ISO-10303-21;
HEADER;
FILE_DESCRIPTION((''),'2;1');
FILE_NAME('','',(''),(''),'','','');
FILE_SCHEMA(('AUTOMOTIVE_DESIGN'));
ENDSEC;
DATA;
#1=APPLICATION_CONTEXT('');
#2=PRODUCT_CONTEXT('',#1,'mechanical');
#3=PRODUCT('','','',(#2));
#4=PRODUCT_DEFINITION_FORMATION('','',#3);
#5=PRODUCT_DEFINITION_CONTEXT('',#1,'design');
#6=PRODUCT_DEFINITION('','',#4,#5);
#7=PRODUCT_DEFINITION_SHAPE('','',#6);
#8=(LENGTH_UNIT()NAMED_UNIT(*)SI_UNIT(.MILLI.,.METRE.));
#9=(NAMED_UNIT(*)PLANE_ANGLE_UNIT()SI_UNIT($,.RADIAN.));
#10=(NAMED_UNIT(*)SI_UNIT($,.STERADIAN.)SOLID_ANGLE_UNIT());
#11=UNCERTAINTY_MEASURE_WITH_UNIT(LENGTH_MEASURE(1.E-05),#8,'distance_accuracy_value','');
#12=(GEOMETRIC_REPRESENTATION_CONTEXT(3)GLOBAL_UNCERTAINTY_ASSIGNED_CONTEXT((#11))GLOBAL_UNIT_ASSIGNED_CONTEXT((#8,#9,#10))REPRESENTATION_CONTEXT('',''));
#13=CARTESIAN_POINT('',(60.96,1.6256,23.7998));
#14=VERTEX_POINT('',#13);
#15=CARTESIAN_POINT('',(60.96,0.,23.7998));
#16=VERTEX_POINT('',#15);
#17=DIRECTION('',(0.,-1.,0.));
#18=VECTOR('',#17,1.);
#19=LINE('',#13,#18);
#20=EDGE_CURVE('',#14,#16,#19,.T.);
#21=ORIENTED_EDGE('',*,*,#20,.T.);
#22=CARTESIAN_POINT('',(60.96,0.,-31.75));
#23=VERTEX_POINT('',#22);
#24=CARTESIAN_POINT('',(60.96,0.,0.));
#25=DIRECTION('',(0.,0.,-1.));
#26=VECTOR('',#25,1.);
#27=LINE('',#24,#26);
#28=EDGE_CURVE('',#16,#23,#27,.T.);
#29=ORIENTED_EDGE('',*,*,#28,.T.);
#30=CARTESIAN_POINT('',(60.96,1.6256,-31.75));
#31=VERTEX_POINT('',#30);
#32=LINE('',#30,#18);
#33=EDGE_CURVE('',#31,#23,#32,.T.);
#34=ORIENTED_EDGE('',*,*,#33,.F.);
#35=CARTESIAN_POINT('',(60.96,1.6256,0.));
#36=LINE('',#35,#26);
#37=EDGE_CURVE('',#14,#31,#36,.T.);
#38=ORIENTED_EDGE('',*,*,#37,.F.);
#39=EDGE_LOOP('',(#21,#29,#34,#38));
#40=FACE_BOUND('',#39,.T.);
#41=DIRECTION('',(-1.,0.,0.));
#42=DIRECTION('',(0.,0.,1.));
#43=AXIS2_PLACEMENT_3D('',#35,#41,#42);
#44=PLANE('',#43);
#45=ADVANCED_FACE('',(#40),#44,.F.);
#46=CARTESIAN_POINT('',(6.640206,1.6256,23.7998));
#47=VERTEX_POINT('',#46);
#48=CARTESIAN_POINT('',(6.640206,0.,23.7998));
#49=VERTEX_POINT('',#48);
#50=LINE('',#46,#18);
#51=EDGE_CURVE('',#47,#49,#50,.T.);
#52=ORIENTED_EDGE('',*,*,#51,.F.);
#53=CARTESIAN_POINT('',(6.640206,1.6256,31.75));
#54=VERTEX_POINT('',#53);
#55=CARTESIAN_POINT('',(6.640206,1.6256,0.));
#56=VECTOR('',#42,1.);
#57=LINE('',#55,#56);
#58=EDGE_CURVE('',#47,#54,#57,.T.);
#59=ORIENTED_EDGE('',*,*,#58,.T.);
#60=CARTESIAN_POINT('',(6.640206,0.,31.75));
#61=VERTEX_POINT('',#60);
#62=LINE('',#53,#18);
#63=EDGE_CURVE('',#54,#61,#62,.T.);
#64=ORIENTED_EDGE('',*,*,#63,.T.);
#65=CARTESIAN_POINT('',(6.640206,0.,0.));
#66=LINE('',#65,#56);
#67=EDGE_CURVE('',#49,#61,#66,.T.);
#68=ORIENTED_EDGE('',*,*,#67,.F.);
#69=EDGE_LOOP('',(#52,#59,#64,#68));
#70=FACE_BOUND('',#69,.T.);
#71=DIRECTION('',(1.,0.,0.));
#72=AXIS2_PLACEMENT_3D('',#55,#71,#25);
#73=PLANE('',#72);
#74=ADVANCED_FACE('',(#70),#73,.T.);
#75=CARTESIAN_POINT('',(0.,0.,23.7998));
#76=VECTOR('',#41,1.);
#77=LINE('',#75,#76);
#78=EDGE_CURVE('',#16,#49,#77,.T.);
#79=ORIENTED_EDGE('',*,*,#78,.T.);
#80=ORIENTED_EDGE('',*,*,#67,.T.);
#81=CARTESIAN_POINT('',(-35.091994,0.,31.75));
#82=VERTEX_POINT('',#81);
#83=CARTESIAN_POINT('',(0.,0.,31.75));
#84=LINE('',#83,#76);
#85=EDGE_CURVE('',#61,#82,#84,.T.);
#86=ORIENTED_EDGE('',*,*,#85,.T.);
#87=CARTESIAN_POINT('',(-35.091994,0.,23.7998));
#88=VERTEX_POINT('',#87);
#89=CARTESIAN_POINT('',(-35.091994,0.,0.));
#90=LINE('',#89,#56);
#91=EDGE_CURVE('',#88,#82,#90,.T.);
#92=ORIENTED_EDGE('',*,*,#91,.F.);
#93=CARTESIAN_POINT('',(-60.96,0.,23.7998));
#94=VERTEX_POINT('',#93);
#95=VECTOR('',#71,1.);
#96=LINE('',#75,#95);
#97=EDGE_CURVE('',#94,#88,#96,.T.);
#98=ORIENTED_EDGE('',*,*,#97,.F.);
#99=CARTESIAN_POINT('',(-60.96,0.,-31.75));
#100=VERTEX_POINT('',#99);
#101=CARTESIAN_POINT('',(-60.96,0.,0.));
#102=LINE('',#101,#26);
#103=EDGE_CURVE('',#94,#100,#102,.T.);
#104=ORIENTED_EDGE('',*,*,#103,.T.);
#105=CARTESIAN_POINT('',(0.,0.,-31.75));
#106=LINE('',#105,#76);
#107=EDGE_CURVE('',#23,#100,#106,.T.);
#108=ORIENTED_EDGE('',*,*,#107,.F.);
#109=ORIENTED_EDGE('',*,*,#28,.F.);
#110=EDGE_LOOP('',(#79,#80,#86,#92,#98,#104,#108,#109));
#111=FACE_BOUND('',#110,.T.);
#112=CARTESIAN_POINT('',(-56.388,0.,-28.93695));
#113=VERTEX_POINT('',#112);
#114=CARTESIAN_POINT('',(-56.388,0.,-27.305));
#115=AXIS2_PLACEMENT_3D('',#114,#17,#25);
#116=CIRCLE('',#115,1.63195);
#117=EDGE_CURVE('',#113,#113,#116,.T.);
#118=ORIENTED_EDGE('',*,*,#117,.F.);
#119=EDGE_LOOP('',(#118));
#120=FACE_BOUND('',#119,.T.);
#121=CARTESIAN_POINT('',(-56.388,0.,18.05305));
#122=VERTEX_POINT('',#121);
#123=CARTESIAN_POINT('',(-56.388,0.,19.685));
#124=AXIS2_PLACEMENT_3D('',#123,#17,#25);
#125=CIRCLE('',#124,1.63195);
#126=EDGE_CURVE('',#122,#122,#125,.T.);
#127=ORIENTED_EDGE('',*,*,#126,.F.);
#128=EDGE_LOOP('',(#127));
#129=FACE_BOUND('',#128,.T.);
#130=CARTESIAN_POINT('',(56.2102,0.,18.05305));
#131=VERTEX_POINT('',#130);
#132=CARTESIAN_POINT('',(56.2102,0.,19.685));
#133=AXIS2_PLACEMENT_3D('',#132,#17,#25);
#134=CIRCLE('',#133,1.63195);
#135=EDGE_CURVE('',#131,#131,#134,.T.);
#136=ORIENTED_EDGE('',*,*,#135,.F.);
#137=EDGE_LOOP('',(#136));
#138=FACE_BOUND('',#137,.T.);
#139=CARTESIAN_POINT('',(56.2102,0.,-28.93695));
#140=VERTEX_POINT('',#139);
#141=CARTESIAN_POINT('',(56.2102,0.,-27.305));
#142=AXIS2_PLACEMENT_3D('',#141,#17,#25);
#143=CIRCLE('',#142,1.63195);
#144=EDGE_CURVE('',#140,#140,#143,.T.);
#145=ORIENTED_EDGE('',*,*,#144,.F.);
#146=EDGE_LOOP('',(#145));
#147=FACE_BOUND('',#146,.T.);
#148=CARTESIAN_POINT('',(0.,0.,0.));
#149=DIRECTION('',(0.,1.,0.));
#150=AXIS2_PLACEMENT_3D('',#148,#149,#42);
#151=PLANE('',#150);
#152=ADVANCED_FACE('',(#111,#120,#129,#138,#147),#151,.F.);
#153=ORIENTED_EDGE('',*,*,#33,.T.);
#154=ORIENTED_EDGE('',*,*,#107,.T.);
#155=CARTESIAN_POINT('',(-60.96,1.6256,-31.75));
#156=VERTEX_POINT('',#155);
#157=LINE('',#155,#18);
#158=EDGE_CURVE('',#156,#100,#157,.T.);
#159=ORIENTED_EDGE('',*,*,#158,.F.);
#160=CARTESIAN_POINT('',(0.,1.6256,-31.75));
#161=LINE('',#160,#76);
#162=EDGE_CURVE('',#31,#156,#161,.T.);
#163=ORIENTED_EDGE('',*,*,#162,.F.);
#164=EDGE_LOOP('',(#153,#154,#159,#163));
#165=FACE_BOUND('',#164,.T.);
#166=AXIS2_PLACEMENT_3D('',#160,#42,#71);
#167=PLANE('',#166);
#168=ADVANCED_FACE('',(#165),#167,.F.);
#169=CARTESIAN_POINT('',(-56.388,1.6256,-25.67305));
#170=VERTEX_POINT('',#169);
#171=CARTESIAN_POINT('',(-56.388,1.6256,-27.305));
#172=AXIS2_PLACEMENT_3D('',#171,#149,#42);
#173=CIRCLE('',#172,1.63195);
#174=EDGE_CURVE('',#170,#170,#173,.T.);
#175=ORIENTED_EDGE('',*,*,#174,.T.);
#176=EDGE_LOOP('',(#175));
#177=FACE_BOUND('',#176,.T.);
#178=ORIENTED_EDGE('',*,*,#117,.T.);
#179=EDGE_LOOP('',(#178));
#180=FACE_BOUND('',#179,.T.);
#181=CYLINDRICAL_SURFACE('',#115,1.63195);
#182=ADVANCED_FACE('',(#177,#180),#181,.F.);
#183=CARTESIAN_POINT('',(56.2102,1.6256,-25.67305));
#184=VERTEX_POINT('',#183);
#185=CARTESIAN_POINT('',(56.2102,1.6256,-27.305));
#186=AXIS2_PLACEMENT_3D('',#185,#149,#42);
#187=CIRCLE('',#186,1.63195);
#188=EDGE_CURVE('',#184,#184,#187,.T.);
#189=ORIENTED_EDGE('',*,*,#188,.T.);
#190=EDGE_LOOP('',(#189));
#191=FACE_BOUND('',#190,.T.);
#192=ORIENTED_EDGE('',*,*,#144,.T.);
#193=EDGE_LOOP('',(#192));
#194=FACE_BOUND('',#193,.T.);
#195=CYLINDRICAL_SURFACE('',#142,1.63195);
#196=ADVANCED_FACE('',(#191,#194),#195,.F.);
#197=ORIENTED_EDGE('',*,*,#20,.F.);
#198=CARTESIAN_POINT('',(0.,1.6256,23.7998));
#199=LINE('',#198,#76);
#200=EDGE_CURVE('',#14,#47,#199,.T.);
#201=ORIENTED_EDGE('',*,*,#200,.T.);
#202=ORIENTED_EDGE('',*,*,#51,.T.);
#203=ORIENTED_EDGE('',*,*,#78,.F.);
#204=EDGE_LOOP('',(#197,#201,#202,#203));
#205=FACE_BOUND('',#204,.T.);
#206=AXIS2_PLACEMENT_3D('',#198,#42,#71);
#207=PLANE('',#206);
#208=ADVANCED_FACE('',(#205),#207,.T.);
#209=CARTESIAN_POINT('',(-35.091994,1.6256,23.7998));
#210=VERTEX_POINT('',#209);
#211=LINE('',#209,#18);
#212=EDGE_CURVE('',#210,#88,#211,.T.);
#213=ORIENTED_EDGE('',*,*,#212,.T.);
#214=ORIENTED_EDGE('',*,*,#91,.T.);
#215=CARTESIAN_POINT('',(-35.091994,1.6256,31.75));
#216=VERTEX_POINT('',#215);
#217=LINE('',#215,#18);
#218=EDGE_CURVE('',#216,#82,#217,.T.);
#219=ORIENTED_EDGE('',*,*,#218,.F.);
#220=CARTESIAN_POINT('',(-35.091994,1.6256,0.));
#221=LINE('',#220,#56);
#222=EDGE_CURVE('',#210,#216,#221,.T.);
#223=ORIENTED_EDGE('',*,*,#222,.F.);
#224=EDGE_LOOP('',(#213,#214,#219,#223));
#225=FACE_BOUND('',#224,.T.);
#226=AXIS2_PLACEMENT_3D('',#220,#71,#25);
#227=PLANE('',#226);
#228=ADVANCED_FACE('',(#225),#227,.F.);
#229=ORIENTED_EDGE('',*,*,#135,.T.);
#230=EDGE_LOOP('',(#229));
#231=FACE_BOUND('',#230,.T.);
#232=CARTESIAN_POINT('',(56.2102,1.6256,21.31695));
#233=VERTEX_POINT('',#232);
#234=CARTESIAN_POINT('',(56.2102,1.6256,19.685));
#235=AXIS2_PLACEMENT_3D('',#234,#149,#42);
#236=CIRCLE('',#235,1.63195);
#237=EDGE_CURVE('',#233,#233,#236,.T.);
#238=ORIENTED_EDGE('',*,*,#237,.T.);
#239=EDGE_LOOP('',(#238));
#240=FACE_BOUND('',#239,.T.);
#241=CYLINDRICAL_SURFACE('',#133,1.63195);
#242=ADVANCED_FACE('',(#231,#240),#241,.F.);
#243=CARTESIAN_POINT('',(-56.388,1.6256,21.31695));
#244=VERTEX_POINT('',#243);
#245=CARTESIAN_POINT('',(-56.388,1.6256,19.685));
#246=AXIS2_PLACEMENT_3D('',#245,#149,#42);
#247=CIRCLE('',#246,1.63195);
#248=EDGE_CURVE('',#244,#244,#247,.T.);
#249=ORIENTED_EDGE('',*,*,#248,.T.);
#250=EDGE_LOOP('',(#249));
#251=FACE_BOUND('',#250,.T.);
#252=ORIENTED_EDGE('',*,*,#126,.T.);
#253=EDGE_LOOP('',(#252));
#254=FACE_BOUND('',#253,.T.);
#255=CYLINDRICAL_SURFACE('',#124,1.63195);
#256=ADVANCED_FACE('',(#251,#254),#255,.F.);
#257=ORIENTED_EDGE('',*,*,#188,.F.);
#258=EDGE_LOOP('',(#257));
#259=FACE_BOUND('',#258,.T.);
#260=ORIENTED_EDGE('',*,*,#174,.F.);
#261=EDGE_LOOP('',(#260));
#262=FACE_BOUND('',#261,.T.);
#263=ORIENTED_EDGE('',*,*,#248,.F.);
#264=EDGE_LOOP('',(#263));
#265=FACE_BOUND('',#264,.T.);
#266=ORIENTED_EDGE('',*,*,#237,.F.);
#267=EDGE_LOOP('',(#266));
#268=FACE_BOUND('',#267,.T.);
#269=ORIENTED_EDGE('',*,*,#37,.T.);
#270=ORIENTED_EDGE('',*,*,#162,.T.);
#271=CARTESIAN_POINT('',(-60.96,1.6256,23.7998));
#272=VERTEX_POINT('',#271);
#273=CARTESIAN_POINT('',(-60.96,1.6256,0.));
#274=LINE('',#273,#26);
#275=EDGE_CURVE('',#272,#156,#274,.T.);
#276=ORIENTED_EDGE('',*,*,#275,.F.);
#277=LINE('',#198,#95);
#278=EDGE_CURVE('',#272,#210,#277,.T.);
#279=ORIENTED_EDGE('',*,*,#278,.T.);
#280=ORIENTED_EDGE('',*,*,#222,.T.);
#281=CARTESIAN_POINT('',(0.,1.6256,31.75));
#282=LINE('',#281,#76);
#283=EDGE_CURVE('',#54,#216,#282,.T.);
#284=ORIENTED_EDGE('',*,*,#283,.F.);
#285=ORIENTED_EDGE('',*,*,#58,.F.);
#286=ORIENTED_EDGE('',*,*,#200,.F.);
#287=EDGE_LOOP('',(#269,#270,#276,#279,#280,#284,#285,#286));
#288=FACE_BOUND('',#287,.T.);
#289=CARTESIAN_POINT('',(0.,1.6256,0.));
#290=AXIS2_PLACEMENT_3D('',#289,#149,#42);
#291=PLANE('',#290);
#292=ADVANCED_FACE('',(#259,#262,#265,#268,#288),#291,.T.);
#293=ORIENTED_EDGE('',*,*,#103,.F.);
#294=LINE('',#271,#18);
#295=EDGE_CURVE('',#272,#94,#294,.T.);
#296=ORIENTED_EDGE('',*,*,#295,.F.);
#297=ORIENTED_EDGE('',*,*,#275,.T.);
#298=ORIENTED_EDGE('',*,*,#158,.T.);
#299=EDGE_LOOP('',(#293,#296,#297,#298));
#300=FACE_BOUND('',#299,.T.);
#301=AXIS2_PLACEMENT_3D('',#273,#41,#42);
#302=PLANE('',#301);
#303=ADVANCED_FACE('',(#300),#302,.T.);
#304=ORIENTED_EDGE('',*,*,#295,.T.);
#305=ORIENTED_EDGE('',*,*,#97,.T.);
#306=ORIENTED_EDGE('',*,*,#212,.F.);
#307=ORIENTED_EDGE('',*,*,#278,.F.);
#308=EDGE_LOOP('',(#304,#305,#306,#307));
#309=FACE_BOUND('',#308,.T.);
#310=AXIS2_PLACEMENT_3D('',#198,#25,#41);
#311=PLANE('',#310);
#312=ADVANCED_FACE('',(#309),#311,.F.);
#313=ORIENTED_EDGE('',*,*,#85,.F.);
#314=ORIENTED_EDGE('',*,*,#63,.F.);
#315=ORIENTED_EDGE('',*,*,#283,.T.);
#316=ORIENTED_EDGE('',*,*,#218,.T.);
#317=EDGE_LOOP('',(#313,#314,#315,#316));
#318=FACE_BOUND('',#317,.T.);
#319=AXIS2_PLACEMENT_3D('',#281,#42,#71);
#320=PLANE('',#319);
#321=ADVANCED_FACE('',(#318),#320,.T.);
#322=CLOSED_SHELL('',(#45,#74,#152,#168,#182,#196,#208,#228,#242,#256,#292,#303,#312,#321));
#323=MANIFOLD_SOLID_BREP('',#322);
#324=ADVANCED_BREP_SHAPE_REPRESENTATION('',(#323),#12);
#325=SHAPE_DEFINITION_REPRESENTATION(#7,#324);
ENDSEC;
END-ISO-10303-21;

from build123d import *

# Parameters (mm, degrees)
BOSS_EXTRUDE1_DEPTH       = 1.6256
F_4_CLEARANCE_HOLE1_D     = 3.2639
F_4_CLEARANCE_HOLE1_DEPTH = 56.388
F_4_CLEARANCE_HOLE1_TIP   = 0.980574487


with BuildPart() as part:
    # Sketch1 → Boss-Extrude1 (new body)
    with BuildSketch(Plane(origin=(0, 0, 0), x_dir=(1, 0, 0), z_dir=(0, 1, 0))):
        Polygon((60.96, 31.75), (19.558, 31.75), (-17.272, 31.75), (-60.96, 31.75), (-60.96, -23.7998), (-35.09199383, -23.7998), (-35.09199383, -31.75), (6.64020617, -31.75), (6.64020617, -23.7998), (60.96, -23.7998), align=None)
    extrude(amount=BOSS_EXTRUDE1_DEPTH)

    # #4 Clearance Hole1
    with Locations(Plane(origin=(-46.701329526, 0, 29.554902493), x_dir=(-1, 0, 0), z_dir=(0, -1, 0))):
        with Locations((-102.911529526, 9.869902493), (-102.911529526, 56.859902493), (9.686670474, 56.859902493), (9.686670474, 9.869902493)):
            Hole(F_4_CLEARANCE_HOLE1_D / 2, depth=F_4_CLEARANCE_HOLE1_DEPTH)
            with Locations((0, 0, -(F_4_CLEARANCE_HOLE1_DEPTH + F_4_CLEARANCE_HOLE1_TIP / 2))):  # 118° drill point
                Cone(0, F_4_CLEARANCE_HOLE1_D / 2, F_4_CLEARANCE_HOLE1_TIP, mode=Mode.SUBTRACT)


solid = part.part
